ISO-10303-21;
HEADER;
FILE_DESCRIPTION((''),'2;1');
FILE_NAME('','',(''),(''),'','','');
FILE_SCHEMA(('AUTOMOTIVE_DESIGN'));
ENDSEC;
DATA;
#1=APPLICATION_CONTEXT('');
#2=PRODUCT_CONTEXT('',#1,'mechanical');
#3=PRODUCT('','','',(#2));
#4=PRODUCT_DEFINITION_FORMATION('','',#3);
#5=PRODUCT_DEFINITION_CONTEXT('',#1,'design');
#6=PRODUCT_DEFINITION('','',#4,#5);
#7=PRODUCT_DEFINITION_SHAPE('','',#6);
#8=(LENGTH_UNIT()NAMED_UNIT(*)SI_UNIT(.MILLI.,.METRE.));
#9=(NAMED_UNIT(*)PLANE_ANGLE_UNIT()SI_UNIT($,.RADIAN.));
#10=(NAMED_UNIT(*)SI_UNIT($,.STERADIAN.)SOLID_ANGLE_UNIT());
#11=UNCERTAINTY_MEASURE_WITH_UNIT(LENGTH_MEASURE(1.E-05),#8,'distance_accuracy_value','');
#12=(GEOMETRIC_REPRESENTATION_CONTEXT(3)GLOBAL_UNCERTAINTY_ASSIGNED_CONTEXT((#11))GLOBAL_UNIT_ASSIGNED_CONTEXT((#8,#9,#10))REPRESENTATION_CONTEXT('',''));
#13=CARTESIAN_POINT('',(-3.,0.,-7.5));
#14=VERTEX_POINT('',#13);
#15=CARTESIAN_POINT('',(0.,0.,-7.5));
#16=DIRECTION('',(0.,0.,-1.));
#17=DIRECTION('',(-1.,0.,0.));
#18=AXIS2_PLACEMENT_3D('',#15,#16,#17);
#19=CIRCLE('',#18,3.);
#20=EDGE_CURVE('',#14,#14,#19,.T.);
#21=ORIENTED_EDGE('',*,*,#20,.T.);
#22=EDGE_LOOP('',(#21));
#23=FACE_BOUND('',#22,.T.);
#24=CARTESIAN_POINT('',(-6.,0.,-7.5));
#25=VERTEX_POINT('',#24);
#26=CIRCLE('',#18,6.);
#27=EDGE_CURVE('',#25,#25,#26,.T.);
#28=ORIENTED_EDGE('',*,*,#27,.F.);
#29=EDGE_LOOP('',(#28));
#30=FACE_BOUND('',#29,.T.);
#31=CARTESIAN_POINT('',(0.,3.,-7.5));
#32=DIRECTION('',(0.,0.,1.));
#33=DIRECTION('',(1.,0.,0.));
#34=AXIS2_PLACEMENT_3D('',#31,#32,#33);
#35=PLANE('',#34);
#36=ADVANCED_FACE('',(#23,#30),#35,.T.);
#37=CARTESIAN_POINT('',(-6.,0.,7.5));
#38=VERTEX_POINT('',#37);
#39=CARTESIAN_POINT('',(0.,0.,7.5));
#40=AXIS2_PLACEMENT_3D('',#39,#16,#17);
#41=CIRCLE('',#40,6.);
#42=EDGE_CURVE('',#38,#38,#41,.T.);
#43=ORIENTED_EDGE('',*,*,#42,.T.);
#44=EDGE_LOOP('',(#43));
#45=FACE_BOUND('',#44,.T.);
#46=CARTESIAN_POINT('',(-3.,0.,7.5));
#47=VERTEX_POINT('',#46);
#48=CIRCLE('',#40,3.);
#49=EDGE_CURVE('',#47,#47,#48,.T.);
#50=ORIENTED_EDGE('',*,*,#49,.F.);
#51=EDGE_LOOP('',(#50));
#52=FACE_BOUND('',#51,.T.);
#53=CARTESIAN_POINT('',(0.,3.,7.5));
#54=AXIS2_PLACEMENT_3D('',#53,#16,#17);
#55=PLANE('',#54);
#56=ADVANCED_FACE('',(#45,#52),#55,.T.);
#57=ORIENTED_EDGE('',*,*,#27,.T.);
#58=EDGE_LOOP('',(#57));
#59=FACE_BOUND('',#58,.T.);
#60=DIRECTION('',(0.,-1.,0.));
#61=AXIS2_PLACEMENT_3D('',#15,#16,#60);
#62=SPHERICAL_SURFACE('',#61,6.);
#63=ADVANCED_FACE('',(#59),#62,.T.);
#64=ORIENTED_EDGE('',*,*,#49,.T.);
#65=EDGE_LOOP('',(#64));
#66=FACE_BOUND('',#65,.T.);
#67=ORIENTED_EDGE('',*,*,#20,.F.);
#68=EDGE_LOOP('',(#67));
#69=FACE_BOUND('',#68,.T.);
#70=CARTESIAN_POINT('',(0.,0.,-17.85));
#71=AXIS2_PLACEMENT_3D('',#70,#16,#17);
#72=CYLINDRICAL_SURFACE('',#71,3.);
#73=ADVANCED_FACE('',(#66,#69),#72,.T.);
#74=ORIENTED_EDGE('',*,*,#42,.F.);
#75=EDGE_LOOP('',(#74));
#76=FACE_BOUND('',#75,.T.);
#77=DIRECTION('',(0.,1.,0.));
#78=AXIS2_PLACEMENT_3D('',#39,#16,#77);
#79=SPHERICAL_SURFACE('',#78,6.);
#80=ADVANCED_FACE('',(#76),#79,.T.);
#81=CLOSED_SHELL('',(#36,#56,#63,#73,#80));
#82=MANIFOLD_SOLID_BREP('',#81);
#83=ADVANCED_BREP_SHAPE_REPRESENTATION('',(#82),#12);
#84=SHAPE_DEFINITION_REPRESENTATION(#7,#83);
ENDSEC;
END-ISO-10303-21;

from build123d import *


with BuildPart() as part:
    # Sketch2 → Revolve1 (revolve)
    with BuildSketch(Plane(origin=(0, 0, 0), x_dir=(0, 0, -1), z_dir=(1, 0, 0))):
        with BuildLine():
            Line((-7.5, 3), (7.5, 3))
            Line((7.5, 3), (7.5, 6))
            ThreePointArc((7.5, 6), (11.742640687, 4.242640687), (13.5, 0))
            Line((13.5, 0), (-13.5, 0))
            ThreePointArc((-13.5, 0), (-11.742640687, 4.242640687), (-7.5, 6))
            Line((-7.5, 6), (-7.5, 3))
        make_face()
    revolve(axis=Axis((0, 0, -17.85), (0, 0, 1)))


solid = part.part
